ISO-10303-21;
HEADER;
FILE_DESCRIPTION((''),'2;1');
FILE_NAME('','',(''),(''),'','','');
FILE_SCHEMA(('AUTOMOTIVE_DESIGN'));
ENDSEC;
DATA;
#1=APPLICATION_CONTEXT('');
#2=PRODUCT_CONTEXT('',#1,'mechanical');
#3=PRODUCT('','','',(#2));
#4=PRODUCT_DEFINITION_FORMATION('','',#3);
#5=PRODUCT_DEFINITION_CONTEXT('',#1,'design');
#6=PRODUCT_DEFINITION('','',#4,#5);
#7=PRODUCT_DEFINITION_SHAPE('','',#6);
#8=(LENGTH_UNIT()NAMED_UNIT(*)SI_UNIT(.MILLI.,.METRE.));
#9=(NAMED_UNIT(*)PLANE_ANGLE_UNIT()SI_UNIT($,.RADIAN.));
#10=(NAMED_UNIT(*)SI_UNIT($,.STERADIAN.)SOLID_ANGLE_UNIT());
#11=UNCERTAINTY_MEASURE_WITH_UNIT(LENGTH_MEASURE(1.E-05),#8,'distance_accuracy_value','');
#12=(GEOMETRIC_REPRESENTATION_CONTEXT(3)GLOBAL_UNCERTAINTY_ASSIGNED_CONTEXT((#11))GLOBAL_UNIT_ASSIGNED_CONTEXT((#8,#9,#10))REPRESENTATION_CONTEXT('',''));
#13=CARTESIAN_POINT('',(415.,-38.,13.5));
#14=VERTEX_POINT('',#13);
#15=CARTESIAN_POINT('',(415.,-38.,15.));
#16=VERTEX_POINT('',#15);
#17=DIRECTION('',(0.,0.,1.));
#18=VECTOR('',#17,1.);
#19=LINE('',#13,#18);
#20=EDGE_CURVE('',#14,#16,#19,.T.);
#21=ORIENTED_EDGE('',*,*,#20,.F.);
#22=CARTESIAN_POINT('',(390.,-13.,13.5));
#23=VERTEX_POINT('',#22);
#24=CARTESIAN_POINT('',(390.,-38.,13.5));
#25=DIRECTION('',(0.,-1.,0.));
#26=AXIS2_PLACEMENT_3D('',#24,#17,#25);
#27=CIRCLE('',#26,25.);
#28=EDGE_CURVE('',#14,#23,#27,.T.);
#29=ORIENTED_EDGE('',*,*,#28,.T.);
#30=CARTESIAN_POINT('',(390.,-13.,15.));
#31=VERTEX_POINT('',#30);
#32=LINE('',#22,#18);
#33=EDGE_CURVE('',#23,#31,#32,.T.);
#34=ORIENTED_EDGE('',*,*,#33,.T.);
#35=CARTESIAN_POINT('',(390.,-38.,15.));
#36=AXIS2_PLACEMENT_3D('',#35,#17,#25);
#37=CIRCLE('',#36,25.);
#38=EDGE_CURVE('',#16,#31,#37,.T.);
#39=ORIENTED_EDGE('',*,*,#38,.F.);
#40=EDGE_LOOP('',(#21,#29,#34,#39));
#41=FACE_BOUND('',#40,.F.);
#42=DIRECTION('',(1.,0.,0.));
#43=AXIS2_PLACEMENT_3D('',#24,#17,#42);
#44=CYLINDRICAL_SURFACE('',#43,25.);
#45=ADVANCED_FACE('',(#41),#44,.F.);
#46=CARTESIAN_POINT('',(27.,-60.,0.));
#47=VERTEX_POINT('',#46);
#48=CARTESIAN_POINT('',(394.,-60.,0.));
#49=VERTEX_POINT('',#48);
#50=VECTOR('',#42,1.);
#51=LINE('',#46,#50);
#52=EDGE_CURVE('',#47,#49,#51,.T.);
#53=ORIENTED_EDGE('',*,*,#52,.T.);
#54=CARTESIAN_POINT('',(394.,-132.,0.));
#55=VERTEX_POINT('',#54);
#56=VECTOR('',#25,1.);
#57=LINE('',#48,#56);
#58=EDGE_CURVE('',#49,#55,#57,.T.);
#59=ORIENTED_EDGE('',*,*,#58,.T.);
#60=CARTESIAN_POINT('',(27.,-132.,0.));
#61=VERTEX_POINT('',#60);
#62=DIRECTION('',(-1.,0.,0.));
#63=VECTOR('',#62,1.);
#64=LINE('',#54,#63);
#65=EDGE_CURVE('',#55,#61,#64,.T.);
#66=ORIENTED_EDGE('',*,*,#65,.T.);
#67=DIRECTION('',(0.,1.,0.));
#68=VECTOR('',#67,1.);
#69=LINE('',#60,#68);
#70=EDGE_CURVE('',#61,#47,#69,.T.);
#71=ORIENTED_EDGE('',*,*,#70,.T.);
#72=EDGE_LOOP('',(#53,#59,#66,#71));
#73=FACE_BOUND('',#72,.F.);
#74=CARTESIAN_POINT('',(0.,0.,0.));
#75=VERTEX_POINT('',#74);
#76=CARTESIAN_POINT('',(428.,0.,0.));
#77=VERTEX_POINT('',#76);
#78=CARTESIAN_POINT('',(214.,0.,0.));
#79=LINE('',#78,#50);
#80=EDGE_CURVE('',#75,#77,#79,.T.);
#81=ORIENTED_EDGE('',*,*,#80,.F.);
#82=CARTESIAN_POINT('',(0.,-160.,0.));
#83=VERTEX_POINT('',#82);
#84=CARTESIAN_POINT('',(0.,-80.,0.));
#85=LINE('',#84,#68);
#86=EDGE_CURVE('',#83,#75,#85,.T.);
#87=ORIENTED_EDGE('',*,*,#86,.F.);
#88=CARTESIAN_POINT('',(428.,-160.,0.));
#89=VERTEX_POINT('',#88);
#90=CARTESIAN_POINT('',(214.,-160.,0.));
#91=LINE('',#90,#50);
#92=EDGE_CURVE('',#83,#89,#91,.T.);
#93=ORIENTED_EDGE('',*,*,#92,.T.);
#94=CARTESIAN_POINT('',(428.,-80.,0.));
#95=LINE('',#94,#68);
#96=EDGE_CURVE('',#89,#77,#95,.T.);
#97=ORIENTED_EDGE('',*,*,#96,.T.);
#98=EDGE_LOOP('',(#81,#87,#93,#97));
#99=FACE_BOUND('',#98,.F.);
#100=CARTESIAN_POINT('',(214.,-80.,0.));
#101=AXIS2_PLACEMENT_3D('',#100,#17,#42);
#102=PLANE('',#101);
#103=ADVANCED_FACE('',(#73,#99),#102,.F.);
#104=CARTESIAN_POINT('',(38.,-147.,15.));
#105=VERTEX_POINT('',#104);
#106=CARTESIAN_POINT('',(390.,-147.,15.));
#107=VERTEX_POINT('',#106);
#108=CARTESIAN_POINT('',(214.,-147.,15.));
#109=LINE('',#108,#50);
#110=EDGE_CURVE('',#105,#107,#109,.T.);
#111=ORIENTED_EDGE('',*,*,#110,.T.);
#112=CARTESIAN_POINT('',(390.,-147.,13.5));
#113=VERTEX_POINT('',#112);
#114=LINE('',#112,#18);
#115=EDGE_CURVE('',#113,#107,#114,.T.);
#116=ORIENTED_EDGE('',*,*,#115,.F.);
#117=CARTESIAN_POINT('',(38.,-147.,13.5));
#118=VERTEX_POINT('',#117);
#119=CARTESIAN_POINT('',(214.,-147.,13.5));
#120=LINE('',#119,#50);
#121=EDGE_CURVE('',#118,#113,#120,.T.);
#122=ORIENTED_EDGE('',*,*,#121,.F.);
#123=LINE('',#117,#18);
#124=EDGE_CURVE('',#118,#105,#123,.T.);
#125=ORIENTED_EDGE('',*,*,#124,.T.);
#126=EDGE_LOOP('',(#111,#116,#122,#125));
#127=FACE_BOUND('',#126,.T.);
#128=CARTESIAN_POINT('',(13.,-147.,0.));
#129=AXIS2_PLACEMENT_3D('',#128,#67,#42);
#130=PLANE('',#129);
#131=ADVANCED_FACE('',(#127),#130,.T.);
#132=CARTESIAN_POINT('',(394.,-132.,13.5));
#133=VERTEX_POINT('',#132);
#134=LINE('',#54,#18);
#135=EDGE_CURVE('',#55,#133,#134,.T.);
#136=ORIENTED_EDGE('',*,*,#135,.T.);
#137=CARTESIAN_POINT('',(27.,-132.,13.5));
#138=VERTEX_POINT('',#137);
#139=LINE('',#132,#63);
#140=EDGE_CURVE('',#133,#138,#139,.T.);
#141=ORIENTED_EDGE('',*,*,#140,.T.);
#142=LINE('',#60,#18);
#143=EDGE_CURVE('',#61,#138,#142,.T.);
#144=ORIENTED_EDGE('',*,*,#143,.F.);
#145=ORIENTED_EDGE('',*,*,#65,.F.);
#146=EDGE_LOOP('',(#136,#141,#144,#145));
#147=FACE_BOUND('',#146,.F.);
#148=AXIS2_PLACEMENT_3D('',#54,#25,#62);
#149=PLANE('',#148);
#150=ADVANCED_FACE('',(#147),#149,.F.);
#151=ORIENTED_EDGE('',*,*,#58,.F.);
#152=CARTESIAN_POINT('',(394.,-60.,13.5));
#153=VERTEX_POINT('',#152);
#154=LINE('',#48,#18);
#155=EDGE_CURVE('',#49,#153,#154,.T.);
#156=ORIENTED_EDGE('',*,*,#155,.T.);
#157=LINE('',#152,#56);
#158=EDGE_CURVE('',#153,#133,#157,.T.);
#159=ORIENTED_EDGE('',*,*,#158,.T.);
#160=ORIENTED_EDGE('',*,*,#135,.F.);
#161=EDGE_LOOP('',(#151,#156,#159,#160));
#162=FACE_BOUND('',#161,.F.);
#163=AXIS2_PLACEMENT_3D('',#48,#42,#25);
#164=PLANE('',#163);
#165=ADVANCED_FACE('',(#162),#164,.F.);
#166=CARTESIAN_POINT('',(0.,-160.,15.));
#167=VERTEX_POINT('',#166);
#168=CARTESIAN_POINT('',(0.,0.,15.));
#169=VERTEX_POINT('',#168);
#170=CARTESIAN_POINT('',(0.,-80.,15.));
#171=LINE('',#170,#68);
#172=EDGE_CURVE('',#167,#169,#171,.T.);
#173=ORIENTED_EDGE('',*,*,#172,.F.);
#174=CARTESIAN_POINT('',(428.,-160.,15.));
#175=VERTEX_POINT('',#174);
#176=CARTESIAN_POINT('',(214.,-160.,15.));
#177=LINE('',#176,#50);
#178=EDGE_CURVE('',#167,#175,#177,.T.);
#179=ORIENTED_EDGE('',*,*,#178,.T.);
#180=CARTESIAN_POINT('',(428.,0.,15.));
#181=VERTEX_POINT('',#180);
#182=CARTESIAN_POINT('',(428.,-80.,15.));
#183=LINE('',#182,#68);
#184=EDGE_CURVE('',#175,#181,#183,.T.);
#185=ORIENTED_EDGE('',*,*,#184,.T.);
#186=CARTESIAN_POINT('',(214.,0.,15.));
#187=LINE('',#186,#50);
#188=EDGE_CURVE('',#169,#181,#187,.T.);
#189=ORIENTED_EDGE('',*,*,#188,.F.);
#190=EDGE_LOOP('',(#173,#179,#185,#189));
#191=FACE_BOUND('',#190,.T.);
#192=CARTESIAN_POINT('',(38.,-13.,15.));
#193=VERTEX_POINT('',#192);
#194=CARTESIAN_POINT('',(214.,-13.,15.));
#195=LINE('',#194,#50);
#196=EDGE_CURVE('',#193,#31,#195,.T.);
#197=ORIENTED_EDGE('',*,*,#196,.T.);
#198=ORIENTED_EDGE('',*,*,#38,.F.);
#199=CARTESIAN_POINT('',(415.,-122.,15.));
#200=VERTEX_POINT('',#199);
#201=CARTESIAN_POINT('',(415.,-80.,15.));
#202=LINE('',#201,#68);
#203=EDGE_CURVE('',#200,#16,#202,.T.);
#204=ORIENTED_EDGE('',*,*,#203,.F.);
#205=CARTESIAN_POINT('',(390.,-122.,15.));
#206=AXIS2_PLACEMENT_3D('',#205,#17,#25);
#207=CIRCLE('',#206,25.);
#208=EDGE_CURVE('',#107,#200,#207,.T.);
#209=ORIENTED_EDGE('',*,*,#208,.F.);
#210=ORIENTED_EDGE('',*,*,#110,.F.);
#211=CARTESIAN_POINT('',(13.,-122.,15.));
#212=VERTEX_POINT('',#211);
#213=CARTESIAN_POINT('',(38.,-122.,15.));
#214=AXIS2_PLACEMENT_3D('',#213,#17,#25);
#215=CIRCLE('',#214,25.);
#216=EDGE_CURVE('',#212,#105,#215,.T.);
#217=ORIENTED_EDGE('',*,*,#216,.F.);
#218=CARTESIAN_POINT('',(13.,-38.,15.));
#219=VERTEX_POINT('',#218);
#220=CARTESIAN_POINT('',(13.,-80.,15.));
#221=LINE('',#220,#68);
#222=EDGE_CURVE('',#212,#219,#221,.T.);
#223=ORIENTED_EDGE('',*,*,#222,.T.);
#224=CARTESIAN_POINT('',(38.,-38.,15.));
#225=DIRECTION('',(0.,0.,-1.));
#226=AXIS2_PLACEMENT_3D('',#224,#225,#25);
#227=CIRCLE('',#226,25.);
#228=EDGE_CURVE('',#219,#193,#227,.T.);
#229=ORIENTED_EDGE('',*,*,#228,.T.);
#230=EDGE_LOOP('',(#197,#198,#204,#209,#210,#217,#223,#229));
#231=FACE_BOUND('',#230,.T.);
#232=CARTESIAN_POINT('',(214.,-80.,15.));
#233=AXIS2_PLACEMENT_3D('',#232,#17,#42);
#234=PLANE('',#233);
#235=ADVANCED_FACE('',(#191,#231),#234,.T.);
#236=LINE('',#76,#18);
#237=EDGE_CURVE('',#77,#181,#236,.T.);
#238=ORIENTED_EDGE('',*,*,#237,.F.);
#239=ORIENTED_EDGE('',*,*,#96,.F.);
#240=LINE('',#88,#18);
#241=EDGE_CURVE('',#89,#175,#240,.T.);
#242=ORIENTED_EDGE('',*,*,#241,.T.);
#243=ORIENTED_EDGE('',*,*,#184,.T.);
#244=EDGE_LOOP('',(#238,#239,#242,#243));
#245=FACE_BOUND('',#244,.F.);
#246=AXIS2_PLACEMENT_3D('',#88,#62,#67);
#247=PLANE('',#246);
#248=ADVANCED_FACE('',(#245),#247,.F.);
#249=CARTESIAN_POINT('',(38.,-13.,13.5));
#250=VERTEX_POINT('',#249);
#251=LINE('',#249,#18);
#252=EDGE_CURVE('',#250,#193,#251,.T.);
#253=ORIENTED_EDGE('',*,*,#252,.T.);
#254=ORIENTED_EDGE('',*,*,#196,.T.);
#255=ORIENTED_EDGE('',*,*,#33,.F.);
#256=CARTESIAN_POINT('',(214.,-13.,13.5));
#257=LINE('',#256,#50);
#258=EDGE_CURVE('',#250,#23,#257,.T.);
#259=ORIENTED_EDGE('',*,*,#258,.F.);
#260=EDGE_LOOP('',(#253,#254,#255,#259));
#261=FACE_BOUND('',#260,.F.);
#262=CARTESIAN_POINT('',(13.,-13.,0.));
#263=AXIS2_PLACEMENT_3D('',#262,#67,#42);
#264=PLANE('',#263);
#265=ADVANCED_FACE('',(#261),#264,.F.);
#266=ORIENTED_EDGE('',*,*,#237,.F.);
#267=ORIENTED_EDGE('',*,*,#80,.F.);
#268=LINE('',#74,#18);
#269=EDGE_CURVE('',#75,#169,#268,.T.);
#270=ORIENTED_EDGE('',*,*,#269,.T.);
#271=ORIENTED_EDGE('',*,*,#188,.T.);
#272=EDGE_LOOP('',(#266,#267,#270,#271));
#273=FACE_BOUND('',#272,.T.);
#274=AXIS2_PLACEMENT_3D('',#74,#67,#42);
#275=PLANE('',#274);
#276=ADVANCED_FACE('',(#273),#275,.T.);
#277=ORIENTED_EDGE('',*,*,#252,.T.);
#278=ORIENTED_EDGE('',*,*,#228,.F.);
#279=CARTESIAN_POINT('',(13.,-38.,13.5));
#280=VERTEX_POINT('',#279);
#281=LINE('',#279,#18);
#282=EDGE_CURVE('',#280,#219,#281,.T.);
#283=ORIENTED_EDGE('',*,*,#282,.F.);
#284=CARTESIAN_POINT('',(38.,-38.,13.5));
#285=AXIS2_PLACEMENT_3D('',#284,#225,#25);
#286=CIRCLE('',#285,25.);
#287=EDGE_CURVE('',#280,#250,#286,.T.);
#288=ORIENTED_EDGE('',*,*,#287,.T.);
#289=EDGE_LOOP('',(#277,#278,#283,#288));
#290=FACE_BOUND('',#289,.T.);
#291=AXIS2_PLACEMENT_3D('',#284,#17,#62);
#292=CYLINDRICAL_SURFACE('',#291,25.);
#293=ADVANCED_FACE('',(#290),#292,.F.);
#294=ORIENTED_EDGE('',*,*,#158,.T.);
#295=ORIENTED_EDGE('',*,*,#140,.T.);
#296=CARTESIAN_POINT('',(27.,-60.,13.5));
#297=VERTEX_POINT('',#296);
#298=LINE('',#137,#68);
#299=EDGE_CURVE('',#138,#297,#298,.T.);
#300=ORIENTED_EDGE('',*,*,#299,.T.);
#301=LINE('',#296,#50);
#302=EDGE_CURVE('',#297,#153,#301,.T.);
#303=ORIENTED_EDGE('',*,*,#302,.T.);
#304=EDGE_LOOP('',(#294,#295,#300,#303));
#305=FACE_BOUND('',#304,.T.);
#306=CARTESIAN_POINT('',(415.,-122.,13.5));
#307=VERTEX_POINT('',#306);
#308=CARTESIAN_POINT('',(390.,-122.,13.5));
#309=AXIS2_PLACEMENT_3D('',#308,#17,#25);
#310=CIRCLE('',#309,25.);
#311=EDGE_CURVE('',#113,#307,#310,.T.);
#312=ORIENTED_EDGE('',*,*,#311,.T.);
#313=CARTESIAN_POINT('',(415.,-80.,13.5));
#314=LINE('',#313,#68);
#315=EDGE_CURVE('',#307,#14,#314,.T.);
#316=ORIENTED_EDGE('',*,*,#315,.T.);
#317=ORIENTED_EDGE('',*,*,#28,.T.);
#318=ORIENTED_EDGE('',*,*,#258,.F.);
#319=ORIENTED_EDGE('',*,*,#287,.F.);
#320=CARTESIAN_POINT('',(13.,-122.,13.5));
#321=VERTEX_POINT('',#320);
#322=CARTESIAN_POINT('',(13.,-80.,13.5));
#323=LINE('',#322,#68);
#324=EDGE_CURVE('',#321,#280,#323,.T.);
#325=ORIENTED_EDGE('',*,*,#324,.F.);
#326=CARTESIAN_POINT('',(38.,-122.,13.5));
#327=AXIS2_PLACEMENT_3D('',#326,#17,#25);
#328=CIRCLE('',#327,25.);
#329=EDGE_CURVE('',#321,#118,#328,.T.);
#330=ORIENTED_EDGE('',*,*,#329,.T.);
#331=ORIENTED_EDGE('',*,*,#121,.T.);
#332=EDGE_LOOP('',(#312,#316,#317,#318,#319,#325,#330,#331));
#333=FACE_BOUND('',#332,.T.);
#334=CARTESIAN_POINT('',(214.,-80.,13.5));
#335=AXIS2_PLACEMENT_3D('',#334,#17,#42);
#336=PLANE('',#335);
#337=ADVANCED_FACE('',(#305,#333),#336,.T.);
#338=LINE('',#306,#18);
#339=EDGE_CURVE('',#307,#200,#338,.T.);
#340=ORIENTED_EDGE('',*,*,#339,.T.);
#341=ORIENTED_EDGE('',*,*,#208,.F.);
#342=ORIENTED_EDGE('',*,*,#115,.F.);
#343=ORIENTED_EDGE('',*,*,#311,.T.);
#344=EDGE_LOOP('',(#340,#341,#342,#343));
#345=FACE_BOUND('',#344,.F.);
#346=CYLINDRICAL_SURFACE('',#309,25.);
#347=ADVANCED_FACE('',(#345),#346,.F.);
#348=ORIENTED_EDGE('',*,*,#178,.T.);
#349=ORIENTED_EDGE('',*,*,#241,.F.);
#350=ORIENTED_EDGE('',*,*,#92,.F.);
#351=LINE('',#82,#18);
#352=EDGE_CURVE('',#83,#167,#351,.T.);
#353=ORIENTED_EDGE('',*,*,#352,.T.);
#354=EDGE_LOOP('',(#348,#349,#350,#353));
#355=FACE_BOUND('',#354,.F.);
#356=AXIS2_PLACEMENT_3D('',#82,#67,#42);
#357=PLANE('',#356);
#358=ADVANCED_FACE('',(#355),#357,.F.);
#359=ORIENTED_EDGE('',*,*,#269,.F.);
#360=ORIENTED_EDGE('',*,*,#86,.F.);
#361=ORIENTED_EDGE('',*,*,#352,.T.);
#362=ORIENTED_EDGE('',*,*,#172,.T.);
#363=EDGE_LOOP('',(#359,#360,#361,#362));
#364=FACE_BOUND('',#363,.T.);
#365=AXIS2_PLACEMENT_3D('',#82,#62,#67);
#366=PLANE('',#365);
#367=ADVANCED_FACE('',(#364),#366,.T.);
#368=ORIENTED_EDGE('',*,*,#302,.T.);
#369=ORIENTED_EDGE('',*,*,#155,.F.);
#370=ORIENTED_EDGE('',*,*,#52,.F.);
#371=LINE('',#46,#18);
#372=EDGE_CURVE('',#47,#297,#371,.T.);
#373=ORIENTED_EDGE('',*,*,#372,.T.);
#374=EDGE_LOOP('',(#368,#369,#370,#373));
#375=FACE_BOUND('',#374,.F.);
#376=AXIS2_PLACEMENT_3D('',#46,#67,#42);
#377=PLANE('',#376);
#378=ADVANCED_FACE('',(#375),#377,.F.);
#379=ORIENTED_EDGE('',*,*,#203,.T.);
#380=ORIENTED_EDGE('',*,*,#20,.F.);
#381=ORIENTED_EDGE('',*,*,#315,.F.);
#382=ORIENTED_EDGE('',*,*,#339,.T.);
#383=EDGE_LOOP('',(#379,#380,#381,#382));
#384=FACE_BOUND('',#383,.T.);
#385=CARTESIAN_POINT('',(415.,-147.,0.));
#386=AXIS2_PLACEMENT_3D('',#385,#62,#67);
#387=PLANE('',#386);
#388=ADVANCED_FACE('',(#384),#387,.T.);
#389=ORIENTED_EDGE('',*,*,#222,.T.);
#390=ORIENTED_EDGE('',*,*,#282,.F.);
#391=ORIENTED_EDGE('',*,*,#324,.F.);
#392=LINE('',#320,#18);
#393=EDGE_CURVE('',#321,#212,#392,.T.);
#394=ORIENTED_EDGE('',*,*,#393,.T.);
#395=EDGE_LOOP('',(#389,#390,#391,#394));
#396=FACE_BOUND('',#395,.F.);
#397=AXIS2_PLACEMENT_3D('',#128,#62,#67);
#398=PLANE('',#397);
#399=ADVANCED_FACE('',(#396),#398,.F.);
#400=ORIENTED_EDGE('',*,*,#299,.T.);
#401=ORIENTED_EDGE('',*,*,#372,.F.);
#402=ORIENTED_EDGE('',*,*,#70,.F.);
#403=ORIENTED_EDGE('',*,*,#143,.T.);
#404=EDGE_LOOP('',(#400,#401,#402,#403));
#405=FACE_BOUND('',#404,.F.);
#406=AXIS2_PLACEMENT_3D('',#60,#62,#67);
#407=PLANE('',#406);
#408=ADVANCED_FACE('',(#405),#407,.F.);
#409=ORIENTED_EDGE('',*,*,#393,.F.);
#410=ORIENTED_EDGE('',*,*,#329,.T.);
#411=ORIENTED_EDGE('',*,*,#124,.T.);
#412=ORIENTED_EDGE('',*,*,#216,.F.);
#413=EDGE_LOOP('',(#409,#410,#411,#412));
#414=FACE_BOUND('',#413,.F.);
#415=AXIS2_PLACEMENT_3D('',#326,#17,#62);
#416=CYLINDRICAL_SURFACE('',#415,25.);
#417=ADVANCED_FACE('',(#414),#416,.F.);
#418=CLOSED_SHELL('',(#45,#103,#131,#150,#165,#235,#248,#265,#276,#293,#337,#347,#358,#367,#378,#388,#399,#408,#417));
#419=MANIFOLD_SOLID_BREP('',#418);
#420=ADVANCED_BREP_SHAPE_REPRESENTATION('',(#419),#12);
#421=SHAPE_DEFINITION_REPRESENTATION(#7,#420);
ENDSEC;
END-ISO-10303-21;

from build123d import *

# Parameters (mm, degrees)
F0_W     = 428
F0_H     = 160
F0_W_2   = 402
F0_H_2   = 134
F1_DEPTH = 15
F2_DEPTH = 13.5
F3_R     = 25


with BuildPart() as f1:
    # F0 (on Top) → F1 (new body)
    with BuildSketch(Plane.XY):
        with Locations((214, -80)):
            Rectangle(F0_W, F0_H)
        with Locations((214, -80)):
            Rectangle(F0_W_2, F0_H_2, mode=Mode.SUBTRACT)
    extrude(amount=F1_DEPTH)

    # F0 (on Top) → F2 (join)
    with BuildSketch(Plane.XY):
        with Locations((214, -80)):
            Rectangle(F0_W_2, F0_H_2)
        Polygon((394, -132), (214, -132), (27, -132), (27, -60), (214, -60), (394, -60), align=None, mode=Mode.SUBTRACT)
    extrude(amount=F2_DEPTH)

    # F3
    f3_edges = [f1.edges().sort_by_distance(p)[0] for p in [
        (13, -13, 14.25),
        (13, -147, 14.25),
        (415, -13, 14.25),
        (415, -147, 14.25),
    ]]
    fillet(f3_edges, radius=F3_R)


solid = f1.part
